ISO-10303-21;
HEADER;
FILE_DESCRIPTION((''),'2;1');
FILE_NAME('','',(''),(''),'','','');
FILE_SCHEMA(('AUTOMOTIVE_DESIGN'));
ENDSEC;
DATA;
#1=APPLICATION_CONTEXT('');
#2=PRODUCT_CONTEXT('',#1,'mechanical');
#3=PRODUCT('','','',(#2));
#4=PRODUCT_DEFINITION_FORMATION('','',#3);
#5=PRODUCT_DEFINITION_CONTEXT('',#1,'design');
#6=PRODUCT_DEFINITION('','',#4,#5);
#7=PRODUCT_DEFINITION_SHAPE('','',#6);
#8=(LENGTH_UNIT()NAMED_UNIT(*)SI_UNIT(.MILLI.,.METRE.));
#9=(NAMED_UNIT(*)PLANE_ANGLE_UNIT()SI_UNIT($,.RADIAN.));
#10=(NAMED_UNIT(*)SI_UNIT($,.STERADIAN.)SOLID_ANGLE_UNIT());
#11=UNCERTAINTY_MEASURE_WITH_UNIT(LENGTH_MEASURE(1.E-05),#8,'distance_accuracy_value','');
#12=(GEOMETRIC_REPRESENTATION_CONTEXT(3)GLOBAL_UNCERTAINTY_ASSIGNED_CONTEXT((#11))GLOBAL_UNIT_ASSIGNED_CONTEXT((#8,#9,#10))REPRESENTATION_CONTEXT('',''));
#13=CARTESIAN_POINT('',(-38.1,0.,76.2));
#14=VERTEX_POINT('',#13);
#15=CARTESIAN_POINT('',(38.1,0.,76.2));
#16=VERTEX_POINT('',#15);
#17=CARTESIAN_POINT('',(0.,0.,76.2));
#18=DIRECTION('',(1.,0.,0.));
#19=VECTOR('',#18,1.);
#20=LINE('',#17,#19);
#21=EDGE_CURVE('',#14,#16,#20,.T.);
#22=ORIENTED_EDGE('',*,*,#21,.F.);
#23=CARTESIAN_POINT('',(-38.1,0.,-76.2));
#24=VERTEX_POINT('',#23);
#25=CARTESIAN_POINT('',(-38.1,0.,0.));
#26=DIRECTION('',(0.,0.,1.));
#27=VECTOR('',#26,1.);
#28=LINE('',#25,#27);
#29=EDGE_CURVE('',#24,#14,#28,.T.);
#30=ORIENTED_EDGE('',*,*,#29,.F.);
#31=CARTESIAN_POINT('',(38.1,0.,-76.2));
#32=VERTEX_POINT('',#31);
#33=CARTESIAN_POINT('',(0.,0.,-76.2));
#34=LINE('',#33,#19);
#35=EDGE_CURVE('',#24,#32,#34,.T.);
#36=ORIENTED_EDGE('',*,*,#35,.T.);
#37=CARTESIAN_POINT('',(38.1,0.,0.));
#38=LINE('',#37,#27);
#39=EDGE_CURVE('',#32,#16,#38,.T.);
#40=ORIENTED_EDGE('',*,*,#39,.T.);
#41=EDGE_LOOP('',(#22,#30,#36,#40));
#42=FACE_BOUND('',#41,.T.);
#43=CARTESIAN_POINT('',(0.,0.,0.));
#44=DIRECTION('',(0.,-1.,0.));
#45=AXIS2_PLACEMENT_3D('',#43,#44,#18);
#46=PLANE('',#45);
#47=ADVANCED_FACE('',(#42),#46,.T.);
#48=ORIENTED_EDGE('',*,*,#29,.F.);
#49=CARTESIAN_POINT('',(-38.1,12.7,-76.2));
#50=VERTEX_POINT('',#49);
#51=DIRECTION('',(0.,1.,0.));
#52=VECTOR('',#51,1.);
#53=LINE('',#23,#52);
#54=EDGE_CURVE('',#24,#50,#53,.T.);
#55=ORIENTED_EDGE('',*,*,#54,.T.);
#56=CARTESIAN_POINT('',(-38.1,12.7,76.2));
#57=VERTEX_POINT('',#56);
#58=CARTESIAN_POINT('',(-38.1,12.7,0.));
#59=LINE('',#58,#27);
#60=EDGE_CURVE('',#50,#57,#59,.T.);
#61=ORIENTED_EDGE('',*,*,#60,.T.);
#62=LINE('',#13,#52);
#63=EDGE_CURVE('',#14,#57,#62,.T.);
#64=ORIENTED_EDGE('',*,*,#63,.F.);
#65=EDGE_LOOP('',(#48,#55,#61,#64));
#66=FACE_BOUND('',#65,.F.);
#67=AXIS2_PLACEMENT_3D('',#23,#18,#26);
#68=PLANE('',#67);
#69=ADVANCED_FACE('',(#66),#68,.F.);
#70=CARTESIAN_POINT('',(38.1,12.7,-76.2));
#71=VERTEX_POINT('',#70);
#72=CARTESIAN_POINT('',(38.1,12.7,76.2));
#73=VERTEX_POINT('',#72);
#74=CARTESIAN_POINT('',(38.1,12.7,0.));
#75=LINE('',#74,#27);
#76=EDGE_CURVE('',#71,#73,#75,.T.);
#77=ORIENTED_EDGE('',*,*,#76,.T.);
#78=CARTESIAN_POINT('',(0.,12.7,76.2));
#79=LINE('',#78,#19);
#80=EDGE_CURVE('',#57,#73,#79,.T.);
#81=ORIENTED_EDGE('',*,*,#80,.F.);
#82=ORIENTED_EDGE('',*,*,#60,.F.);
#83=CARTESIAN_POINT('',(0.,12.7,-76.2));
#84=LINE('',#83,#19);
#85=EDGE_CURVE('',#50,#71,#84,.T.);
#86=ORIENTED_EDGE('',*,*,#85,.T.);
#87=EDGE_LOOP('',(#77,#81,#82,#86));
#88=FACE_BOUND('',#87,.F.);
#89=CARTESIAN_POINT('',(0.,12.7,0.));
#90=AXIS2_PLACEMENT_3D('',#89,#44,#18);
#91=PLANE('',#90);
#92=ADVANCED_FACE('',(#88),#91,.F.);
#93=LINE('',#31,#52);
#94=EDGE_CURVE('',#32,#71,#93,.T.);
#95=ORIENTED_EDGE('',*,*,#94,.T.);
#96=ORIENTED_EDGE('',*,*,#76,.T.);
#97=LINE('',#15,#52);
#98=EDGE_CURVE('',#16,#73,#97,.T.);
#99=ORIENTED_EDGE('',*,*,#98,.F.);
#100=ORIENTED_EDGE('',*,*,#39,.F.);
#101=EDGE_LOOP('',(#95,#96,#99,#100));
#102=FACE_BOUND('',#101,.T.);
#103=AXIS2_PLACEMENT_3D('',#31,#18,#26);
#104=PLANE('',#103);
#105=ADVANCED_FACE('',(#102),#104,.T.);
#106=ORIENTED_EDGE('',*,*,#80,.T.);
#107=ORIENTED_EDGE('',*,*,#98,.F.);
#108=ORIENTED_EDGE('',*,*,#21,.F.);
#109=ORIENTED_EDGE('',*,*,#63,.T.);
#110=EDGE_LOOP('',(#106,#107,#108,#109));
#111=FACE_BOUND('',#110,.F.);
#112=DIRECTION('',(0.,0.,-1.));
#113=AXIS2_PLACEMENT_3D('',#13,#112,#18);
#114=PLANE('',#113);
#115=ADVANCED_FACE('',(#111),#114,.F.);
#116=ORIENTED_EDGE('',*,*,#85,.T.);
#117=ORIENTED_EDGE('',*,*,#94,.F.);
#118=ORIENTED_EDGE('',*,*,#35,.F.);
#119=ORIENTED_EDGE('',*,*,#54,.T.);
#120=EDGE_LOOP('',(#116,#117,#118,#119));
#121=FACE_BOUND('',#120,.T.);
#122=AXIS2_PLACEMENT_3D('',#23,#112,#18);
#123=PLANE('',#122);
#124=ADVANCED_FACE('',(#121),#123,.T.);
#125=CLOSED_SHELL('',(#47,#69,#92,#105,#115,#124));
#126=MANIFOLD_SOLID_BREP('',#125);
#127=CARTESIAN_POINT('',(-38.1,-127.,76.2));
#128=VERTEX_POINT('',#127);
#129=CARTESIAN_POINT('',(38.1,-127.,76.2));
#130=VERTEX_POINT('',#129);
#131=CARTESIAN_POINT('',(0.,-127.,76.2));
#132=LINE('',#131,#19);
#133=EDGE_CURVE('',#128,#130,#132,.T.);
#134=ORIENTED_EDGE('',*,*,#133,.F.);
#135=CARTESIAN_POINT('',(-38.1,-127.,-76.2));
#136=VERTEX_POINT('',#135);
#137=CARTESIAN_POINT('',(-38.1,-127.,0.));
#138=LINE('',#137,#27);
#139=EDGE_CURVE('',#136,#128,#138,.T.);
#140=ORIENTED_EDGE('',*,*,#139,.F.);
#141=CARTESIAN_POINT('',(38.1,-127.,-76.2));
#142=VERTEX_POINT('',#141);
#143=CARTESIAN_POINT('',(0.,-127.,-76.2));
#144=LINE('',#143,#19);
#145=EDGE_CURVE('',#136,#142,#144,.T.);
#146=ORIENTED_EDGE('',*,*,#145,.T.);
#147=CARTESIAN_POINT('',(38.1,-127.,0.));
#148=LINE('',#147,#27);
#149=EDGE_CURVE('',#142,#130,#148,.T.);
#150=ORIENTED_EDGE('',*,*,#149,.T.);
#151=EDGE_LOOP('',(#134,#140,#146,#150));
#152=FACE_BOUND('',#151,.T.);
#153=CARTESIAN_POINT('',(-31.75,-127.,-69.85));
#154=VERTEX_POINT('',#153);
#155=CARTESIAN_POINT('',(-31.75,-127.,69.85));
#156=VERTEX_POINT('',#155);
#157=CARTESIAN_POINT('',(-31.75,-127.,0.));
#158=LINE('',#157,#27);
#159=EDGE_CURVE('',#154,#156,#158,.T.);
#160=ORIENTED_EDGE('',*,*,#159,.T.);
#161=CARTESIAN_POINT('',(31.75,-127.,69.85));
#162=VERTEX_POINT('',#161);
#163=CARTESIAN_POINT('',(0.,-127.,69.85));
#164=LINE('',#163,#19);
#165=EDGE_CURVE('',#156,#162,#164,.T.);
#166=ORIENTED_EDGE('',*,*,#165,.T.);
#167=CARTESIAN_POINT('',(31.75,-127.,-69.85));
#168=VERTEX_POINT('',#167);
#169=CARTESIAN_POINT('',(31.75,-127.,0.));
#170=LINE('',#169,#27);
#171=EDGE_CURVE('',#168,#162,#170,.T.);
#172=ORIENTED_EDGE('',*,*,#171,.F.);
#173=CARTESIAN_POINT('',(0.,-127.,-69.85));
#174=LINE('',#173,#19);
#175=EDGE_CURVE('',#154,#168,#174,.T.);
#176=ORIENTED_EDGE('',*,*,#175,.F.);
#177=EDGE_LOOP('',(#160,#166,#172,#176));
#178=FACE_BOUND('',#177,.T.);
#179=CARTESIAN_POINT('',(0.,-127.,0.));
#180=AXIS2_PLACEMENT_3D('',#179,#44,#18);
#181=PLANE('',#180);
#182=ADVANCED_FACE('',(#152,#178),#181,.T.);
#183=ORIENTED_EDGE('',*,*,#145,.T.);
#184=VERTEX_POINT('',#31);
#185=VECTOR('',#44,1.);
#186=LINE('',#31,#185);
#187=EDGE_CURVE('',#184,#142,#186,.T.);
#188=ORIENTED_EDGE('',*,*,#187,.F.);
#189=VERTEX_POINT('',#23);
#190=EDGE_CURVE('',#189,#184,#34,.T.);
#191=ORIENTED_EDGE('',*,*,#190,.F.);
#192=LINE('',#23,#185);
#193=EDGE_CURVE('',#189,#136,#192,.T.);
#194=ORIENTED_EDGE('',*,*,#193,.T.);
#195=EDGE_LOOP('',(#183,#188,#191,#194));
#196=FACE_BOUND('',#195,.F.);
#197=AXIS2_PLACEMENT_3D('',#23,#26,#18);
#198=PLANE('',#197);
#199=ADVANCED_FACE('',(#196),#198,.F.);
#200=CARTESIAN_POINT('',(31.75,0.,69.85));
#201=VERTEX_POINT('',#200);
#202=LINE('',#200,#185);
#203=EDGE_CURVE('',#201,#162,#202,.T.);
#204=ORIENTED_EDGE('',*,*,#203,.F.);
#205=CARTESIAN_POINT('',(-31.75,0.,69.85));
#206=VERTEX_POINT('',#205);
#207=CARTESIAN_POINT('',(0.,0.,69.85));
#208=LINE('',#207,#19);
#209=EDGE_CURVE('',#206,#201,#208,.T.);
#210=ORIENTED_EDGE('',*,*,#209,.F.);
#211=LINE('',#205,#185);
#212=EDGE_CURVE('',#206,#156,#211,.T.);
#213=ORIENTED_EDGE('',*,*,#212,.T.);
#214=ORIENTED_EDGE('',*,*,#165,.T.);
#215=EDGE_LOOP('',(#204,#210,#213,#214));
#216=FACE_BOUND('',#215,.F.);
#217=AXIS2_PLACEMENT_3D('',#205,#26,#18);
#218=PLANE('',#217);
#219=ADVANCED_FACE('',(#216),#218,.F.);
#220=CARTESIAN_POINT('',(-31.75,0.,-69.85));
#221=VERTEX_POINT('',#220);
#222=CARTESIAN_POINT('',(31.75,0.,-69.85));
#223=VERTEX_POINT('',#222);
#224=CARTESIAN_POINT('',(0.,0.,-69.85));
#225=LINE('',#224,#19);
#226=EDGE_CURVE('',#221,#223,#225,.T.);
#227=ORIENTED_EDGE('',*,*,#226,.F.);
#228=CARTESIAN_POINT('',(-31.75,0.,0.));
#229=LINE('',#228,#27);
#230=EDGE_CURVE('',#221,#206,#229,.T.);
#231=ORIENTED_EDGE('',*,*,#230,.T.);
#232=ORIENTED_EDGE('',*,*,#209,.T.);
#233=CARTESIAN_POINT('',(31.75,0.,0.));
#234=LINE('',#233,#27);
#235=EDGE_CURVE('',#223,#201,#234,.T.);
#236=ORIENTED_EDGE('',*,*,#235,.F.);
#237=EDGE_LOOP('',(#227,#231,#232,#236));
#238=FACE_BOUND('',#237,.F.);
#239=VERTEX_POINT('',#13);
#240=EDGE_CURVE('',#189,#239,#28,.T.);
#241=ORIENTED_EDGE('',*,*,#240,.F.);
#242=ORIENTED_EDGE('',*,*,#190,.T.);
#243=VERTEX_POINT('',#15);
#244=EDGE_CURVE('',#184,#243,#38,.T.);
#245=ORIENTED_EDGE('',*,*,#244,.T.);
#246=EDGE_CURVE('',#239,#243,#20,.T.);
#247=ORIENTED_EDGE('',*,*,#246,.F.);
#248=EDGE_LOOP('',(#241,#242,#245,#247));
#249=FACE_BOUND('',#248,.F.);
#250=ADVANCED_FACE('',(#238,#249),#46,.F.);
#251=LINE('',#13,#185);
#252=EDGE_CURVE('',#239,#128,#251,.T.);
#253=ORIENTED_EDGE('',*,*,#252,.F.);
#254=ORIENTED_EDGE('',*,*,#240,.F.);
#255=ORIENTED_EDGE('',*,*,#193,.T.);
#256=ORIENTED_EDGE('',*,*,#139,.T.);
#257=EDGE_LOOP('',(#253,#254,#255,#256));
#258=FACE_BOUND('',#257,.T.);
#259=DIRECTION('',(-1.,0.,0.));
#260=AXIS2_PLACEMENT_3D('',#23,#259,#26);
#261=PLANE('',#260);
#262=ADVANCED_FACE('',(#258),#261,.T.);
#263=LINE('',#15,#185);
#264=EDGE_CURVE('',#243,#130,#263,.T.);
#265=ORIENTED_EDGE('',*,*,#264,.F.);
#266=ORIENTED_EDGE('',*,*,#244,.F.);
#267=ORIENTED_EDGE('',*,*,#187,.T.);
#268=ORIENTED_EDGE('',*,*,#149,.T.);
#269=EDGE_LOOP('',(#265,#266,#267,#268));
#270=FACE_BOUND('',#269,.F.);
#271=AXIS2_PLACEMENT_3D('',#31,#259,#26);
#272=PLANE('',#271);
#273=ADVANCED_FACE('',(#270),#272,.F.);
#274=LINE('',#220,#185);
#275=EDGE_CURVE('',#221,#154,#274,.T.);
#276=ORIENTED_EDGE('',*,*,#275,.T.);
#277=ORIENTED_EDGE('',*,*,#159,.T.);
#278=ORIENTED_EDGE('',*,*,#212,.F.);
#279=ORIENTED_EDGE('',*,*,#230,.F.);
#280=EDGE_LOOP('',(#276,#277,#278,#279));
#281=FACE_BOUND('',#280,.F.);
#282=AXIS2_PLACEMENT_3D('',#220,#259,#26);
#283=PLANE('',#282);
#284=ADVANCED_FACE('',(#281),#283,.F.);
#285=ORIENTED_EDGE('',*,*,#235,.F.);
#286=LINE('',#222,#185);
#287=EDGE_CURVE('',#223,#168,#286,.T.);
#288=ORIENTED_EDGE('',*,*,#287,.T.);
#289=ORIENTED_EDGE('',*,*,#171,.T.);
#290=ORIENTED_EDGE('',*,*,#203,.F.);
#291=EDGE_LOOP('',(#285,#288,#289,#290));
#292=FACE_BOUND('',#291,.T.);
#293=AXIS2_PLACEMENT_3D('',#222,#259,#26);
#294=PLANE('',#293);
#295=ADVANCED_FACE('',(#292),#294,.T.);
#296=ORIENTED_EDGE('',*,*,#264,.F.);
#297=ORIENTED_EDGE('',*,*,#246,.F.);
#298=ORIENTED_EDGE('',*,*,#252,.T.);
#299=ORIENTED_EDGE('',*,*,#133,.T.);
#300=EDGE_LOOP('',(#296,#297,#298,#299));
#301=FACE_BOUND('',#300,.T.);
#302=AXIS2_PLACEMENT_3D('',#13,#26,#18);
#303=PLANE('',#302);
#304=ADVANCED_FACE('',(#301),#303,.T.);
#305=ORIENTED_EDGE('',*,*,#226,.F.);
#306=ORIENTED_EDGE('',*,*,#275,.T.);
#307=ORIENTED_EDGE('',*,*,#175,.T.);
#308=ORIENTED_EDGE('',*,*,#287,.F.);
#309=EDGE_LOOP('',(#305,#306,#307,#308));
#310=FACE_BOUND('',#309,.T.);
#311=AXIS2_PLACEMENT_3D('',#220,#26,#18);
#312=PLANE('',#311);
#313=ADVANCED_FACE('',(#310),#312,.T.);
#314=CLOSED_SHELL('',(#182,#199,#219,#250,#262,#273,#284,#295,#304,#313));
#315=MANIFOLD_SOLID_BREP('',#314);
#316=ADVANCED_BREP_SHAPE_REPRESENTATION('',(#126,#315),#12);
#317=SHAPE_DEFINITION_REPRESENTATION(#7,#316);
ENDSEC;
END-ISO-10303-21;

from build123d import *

# Parameters (mm, degrees)
F0_W     = 76.2
F0_H     = 152.4
F0_W_2   = 63.5
F0_H_2   = 139.7
F1_DEPTH = 127
F2_DEPTH = 12.7


with BuildPart() as f1:
    # F0 (on Front) → F1 (new body)
    with BuildSketch(Plane.XZ):
        Rectangle(F0_W, F0_H)
        Rectangle(F0_W_2, F0_H_2, mode=Mode.SUBTRACT)
    extrude(amount=F1_DEPTH)


with BuildPart() as f2:
    # F0 (on Front) → F2 (new body)
    with BuildSketch(Plane.XZ):
        Rectangle(F0_W, F0_H)
        Rectangle(F0_W_2, F0_H_2, mode=Mode.SUBTRACT)
        Rectangle(F0_W_2, F0_H_2)
    extrude(amount=-F2_DEPTH)


solid = Compound([f1.part, f2.part])
